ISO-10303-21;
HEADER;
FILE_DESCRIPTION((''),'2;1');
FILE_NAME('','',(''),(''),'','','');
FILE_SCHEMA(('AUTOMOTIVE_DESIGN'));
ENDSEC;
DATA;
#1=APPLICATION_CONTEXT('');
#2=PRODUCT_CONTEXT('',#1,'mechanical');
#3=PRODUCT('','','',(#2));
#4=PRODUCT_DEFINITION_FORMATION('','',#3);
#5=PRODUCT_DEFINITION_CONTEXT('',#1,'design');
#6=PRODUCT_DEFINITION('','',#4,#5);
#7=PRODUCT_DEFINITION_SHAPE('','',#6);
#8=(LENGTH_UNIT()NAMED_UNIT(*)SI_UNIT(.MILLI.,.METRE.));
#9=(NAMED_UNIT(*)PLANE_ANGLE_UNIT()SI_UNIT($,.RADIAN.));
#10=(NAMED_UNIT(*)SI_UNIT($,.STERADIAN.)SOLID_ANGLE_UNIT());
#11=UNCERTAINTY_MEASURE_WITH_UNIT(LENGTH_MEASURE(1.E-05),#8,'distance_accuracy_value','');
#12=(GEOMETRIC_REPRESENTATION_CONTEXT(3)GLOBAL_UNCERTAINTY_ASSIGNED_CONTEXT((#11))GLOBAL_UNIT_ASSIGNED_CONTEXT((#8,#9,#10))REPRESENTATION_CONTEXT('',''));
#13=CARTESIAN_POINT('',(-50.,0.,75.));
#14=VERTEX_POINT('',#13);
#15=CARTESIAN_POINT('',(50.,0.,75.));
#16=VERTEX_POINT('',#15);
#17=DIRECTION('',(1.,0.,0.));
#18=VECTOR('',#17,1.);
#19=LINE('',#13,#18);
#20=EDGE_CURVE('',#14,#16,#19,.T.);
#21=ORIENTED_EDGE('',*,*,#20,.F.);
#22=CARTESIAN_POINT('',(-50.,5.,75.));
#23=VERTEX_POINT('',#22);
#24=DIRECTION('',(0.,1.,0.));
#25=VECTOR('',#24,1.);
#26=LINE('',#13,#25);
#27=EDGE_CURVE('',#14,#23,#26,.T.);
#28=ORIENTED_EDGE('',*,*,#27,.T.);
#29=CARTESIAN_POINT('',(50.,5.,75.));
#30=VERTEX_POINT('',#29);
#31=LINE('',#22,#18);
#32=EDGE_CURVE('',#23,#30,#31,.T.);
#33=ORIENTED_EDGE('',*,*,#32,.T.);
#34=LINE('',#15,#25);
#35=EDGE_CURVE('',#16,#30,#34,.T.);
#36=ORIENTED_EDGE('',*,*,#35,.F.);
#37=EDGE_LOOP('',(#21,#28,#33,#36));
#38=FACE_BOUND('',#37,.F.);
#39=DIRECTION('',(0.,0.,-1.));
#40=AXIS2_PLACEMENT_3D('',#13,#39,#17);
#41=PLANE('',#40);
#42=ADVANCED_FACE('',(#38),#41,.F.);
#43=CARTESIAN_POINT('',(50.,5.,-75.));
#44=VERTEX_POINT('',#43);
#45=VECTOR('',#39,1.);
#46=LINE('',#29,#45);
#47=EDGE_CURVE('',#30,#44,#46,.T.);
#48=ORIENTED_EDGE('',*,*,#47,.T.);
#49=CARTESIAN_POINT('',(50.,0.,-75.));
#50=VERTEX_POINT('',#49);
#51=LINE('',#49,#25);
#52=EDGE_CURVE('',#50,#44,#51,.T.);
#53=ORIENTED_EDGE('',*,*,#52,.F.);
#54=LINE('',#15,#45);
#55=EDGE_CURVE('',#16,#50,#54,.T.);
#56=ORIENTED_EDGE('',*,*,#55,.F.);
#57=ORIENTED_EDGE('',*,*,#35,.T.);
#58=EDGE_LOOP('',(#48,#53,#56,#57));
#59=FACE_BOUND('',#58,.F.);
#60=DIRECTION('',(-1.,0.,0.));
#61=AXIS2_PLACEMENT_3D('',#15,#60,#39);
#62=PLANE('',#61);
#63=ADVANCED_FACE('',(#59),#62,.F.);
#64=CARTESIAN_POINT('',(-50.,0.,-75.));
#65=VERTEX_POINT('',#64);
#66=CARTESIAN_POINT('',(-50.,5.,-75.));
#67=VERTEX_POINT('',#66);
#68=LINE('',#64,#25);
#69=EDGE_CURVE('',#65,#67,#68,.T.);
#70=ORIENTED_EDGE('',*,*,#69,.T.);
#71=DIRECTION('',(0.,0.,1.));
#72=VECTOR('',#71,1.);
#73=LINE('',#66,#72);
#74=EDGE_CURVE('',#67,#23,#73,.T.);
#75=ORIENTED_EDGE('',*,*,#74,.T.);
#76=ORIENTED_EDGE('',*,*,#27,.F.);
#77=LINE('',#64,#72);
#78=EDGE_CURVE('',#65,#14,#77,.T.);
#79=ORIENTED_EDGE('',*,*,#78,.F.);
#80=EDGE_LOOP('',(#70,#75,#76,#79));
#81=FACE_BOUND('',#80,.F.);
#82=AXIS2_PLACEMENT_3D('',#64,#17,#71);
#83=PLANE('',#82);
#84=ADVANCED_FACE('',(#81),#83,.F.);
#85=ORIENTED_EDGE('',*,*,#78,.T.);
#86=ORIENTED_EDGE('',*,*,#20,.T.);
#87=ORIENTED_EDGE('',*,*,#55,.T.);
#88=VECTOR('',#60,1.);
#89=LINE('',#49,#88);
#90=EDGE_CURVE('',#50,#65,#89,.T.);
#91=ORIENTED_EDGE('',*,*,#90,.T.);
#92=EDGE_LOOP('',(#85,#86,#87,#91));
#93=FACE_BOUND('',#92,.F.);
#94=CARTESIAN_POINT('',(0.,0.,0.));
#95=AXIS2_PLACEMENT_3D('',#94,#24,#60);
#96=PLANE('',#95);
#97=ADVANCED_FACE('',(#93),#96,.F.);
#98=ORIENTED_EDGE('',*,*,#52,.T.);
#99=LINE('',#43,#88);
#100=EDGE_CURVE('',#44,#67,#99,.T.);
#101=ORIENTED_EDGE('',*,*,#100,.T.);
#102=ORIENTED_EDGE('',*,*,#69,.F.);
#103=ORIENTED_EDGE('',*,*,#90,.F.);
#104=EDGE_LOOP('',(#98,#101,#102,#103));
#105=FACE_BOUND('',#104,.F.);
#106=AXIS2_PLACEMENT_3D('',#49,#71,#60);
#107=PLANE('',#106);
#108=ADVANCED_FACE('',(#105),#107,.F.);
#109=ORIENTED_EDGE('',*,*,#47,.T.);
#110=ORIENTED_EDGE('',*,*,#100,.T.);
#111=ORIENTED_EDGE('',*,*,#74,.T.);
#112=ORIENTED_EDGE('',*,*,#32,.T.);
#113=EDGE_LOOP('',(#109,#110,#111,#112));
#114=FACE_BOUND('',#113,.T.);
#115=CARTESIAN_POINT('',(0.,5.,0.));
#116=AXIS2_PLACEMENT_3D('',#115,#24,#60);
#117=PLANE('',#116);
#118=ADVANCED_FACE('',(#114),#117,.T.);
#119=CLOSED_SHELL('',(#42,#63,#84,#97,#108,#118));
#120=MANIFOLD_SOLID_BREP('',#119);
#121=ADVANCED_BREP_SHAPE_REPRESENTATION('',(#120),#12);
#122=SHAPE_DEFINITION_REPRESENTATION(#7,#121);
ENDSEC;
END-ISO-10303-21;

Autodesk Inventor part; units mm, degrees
ref_plane "YZ Plane" through (0, 0, 0) normal (1, 0, 0) x (0, 1, 0)
ref_plane "XZ Plane" through (0, 0, 0) normal (0, 1, 0) x (-1, 0, 0)
ref_plane "XY Plane" through (0, 0, 0) normal (0, 0, 1) x (1, 0, 0)
sketch "Sketch1" plane through (0, 0, 0) normal (0, 1, 0) x (-1, 0, 0)
  line L0 (50, 75) -> (-50, 75)
  line L1 (-50, 75) -> (-50, -75)
  line L2 (-50, -75) -> (50, -75)
  line L3 (50, -75) -> (50, 75)
  point P0 (0, 0)
  dimension "d0" = 100
  dimension "d1" = 150
  dimension "d2" = 75
  dimension "d3" = 50
extrude "Extrusion1" add sketch "Sketch1" along normal blind 5
properties part number "Electr_"
